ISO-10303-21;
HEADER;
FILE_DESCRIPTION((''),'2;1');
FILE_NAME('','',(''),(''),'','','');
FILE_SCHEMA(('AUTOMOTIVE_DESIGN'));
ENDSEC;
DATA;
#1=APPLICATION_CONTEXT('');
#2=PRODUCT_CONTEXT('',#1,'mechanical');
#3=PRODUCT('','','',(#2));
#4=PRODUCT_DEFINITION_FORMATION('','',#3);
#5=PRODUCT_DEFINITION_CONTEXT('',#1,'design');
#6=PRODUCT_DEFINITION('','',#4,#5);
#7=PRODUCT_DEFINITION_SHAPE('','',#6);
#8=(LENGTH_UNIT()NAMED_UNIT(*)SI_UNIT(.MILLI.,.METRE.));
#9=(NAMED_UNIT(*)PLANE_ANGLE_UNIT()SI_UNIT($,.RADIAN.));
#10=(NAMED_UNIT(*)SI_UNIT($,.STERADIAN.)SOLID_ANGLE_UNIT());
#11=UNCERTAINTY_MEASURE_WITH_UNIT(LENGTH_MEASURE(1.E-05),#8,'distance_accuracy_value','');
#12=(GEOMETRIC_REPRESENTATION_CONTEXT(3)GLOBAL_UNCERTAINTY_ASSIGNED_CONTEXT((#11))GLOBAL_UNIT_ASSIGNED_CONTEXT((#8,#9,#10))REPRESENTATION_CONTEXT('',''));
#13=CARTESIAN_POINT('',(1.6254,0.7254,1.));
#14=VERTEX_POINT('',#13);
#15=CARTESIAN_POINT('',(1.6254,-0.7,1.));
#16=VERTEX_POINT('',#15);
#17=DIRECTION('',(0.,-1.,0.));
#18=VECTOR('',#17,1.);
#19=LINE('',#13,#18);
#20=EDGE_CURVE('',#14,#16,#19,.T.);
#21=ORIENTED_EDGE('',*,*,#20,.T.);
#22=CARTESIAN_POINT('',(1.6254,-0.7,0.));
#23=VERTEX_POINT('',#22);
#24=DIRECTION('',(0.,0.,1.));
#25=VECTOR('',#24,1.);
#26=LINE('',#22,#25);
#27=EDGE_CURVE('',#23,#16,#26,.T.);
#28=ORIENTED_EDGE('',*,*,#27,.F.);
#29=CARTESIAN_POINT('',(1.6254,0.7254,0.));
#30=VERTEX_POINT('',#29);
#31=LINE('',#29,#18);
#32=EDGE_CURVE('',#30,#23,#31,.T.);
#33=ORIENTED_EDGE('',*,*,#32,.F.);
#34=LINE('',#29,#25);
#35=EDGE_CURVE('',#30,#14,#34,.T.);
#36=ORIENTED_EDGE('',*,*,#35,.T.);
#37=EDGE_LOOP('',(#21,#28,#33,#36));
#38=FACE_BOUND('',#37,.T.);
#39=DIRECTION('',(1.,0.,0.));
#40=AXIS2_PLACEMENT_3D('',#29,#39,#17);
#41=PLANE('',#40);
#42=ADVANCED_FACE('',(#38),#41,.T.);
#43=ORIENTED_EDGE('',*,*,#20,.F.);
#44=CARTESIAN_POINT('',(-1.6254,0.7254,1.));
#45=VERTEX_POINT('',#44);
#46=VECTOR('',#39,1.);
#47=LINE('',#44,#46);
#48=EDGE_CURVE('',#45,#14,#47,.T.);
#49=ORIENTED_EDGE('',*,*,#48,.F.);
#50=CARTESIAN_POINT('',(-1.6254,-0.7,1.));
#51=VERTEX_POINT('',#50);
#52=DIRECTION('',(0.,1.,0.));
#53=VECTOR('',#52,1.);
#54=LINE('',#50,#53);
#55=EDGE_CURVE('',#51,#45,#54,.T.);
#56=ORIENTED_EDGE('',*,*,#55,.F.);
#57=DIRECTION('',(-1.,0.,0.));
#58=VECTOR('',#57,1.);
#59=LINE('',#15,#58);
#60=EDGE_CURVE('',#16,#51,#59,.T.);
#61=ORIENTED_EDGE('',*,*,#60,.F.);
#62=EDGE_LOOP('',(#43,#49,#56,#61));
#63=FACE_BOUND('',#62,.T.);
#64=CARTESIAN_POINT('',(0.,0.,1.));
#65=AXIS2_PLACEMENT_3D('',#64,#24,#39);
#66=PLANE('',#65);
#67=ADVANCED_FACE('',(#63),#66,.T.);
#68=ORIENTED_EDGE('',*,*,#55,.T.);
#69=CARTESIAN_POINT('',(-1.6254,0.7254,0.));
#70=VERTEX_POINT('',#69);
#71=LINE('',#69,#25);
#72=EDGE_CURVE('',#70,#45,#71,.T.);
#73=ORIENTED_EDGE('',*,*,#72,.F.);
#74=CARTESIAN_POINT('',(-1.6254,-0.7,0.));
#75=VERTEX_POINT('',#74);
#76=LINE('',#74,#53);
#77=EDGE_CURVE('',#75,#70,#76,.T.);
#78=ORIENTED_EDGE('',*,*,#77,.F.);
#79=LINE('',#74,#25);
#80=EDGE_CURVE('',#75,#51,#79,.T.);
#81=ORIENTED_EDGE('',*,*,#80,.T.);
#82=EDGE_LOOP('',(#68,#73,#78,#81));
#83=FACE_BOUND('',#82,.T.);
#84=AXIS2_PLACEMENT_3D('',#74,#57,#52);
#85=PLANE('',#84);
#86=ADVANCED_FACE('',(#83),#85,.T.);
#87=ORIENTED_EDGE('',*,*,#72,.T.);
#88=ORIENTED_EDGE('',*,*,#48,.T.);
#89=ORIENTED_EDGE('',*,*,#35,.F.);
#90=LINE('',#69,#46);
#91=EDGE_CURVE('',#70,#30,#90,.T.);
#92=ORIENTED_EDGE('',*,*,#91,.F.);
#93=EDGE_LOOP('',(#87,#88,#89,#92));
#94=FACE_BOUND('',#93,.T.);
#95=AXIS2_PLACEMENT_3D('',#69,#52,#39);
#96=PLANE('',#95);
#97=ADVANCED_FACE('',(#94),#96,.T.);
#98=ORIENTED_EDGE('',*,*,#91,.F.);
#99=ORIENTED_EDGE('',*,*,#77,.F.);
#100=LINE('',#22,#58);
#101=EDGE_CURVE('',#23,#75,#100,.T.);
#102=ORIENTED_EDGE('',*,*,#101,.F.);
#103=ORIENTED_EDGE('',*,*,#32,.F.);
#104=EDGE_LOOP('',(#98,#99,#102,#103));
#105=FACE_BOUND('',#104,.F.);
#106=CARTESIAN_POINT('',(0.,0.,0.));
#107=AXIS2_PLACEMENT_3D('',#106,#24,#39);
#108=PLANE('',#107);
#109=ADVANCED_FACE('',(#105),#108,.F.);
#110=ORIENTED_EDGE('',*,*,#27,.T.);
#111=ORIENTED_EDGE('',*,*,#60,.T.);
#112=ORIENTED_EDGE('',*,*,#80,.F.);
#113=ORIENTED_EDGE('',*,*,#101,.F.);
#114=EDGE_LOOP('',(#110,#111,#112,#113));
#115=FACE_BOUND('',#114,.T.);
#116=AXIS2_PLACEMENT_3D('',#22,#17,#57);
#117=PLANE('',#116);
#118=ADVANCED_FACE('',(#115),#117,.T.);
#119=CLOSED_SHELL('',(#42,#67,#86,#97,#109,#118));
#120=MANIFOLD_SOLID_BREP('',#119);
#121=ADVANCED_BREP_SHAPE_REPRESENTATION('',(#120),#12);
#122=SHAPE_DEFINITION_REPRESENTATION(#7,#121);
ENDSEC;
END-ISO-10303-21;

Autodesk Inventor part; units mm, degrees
ref_plane "YZ Plane" through (0, 0, 0) normal (1, 0, 0) x (0, 1, 0)
ref_plane "XZ Plane" through (0, 0, 0) normal (0, 1, 0) x (-1, 0, 0)
ref_plane "XY Plane" through (0, 0, 0) normal (0, 0, 1) x (1, 0, 0)
sketch "0603, 22PF_13" plane through (0, 0, 0) normal (0, 0, 1) x (1, 0, 0)
  line L0 (-1.6254, 0.7254) -> (1.6254, 0.7254)
  line L1 (1.6254, 0.7254) -> (1.6254, -0.7)
  line L2 (1.6254, -0.7) -> (-1.6254, -0.7)
  line L3 (-1.6254, -0.7) -> (-1.6254, 0.7254)
extrude "Extrusion1" add sketch "0603, 22PF_13" along normal blind 1
properties part number "22PF"
